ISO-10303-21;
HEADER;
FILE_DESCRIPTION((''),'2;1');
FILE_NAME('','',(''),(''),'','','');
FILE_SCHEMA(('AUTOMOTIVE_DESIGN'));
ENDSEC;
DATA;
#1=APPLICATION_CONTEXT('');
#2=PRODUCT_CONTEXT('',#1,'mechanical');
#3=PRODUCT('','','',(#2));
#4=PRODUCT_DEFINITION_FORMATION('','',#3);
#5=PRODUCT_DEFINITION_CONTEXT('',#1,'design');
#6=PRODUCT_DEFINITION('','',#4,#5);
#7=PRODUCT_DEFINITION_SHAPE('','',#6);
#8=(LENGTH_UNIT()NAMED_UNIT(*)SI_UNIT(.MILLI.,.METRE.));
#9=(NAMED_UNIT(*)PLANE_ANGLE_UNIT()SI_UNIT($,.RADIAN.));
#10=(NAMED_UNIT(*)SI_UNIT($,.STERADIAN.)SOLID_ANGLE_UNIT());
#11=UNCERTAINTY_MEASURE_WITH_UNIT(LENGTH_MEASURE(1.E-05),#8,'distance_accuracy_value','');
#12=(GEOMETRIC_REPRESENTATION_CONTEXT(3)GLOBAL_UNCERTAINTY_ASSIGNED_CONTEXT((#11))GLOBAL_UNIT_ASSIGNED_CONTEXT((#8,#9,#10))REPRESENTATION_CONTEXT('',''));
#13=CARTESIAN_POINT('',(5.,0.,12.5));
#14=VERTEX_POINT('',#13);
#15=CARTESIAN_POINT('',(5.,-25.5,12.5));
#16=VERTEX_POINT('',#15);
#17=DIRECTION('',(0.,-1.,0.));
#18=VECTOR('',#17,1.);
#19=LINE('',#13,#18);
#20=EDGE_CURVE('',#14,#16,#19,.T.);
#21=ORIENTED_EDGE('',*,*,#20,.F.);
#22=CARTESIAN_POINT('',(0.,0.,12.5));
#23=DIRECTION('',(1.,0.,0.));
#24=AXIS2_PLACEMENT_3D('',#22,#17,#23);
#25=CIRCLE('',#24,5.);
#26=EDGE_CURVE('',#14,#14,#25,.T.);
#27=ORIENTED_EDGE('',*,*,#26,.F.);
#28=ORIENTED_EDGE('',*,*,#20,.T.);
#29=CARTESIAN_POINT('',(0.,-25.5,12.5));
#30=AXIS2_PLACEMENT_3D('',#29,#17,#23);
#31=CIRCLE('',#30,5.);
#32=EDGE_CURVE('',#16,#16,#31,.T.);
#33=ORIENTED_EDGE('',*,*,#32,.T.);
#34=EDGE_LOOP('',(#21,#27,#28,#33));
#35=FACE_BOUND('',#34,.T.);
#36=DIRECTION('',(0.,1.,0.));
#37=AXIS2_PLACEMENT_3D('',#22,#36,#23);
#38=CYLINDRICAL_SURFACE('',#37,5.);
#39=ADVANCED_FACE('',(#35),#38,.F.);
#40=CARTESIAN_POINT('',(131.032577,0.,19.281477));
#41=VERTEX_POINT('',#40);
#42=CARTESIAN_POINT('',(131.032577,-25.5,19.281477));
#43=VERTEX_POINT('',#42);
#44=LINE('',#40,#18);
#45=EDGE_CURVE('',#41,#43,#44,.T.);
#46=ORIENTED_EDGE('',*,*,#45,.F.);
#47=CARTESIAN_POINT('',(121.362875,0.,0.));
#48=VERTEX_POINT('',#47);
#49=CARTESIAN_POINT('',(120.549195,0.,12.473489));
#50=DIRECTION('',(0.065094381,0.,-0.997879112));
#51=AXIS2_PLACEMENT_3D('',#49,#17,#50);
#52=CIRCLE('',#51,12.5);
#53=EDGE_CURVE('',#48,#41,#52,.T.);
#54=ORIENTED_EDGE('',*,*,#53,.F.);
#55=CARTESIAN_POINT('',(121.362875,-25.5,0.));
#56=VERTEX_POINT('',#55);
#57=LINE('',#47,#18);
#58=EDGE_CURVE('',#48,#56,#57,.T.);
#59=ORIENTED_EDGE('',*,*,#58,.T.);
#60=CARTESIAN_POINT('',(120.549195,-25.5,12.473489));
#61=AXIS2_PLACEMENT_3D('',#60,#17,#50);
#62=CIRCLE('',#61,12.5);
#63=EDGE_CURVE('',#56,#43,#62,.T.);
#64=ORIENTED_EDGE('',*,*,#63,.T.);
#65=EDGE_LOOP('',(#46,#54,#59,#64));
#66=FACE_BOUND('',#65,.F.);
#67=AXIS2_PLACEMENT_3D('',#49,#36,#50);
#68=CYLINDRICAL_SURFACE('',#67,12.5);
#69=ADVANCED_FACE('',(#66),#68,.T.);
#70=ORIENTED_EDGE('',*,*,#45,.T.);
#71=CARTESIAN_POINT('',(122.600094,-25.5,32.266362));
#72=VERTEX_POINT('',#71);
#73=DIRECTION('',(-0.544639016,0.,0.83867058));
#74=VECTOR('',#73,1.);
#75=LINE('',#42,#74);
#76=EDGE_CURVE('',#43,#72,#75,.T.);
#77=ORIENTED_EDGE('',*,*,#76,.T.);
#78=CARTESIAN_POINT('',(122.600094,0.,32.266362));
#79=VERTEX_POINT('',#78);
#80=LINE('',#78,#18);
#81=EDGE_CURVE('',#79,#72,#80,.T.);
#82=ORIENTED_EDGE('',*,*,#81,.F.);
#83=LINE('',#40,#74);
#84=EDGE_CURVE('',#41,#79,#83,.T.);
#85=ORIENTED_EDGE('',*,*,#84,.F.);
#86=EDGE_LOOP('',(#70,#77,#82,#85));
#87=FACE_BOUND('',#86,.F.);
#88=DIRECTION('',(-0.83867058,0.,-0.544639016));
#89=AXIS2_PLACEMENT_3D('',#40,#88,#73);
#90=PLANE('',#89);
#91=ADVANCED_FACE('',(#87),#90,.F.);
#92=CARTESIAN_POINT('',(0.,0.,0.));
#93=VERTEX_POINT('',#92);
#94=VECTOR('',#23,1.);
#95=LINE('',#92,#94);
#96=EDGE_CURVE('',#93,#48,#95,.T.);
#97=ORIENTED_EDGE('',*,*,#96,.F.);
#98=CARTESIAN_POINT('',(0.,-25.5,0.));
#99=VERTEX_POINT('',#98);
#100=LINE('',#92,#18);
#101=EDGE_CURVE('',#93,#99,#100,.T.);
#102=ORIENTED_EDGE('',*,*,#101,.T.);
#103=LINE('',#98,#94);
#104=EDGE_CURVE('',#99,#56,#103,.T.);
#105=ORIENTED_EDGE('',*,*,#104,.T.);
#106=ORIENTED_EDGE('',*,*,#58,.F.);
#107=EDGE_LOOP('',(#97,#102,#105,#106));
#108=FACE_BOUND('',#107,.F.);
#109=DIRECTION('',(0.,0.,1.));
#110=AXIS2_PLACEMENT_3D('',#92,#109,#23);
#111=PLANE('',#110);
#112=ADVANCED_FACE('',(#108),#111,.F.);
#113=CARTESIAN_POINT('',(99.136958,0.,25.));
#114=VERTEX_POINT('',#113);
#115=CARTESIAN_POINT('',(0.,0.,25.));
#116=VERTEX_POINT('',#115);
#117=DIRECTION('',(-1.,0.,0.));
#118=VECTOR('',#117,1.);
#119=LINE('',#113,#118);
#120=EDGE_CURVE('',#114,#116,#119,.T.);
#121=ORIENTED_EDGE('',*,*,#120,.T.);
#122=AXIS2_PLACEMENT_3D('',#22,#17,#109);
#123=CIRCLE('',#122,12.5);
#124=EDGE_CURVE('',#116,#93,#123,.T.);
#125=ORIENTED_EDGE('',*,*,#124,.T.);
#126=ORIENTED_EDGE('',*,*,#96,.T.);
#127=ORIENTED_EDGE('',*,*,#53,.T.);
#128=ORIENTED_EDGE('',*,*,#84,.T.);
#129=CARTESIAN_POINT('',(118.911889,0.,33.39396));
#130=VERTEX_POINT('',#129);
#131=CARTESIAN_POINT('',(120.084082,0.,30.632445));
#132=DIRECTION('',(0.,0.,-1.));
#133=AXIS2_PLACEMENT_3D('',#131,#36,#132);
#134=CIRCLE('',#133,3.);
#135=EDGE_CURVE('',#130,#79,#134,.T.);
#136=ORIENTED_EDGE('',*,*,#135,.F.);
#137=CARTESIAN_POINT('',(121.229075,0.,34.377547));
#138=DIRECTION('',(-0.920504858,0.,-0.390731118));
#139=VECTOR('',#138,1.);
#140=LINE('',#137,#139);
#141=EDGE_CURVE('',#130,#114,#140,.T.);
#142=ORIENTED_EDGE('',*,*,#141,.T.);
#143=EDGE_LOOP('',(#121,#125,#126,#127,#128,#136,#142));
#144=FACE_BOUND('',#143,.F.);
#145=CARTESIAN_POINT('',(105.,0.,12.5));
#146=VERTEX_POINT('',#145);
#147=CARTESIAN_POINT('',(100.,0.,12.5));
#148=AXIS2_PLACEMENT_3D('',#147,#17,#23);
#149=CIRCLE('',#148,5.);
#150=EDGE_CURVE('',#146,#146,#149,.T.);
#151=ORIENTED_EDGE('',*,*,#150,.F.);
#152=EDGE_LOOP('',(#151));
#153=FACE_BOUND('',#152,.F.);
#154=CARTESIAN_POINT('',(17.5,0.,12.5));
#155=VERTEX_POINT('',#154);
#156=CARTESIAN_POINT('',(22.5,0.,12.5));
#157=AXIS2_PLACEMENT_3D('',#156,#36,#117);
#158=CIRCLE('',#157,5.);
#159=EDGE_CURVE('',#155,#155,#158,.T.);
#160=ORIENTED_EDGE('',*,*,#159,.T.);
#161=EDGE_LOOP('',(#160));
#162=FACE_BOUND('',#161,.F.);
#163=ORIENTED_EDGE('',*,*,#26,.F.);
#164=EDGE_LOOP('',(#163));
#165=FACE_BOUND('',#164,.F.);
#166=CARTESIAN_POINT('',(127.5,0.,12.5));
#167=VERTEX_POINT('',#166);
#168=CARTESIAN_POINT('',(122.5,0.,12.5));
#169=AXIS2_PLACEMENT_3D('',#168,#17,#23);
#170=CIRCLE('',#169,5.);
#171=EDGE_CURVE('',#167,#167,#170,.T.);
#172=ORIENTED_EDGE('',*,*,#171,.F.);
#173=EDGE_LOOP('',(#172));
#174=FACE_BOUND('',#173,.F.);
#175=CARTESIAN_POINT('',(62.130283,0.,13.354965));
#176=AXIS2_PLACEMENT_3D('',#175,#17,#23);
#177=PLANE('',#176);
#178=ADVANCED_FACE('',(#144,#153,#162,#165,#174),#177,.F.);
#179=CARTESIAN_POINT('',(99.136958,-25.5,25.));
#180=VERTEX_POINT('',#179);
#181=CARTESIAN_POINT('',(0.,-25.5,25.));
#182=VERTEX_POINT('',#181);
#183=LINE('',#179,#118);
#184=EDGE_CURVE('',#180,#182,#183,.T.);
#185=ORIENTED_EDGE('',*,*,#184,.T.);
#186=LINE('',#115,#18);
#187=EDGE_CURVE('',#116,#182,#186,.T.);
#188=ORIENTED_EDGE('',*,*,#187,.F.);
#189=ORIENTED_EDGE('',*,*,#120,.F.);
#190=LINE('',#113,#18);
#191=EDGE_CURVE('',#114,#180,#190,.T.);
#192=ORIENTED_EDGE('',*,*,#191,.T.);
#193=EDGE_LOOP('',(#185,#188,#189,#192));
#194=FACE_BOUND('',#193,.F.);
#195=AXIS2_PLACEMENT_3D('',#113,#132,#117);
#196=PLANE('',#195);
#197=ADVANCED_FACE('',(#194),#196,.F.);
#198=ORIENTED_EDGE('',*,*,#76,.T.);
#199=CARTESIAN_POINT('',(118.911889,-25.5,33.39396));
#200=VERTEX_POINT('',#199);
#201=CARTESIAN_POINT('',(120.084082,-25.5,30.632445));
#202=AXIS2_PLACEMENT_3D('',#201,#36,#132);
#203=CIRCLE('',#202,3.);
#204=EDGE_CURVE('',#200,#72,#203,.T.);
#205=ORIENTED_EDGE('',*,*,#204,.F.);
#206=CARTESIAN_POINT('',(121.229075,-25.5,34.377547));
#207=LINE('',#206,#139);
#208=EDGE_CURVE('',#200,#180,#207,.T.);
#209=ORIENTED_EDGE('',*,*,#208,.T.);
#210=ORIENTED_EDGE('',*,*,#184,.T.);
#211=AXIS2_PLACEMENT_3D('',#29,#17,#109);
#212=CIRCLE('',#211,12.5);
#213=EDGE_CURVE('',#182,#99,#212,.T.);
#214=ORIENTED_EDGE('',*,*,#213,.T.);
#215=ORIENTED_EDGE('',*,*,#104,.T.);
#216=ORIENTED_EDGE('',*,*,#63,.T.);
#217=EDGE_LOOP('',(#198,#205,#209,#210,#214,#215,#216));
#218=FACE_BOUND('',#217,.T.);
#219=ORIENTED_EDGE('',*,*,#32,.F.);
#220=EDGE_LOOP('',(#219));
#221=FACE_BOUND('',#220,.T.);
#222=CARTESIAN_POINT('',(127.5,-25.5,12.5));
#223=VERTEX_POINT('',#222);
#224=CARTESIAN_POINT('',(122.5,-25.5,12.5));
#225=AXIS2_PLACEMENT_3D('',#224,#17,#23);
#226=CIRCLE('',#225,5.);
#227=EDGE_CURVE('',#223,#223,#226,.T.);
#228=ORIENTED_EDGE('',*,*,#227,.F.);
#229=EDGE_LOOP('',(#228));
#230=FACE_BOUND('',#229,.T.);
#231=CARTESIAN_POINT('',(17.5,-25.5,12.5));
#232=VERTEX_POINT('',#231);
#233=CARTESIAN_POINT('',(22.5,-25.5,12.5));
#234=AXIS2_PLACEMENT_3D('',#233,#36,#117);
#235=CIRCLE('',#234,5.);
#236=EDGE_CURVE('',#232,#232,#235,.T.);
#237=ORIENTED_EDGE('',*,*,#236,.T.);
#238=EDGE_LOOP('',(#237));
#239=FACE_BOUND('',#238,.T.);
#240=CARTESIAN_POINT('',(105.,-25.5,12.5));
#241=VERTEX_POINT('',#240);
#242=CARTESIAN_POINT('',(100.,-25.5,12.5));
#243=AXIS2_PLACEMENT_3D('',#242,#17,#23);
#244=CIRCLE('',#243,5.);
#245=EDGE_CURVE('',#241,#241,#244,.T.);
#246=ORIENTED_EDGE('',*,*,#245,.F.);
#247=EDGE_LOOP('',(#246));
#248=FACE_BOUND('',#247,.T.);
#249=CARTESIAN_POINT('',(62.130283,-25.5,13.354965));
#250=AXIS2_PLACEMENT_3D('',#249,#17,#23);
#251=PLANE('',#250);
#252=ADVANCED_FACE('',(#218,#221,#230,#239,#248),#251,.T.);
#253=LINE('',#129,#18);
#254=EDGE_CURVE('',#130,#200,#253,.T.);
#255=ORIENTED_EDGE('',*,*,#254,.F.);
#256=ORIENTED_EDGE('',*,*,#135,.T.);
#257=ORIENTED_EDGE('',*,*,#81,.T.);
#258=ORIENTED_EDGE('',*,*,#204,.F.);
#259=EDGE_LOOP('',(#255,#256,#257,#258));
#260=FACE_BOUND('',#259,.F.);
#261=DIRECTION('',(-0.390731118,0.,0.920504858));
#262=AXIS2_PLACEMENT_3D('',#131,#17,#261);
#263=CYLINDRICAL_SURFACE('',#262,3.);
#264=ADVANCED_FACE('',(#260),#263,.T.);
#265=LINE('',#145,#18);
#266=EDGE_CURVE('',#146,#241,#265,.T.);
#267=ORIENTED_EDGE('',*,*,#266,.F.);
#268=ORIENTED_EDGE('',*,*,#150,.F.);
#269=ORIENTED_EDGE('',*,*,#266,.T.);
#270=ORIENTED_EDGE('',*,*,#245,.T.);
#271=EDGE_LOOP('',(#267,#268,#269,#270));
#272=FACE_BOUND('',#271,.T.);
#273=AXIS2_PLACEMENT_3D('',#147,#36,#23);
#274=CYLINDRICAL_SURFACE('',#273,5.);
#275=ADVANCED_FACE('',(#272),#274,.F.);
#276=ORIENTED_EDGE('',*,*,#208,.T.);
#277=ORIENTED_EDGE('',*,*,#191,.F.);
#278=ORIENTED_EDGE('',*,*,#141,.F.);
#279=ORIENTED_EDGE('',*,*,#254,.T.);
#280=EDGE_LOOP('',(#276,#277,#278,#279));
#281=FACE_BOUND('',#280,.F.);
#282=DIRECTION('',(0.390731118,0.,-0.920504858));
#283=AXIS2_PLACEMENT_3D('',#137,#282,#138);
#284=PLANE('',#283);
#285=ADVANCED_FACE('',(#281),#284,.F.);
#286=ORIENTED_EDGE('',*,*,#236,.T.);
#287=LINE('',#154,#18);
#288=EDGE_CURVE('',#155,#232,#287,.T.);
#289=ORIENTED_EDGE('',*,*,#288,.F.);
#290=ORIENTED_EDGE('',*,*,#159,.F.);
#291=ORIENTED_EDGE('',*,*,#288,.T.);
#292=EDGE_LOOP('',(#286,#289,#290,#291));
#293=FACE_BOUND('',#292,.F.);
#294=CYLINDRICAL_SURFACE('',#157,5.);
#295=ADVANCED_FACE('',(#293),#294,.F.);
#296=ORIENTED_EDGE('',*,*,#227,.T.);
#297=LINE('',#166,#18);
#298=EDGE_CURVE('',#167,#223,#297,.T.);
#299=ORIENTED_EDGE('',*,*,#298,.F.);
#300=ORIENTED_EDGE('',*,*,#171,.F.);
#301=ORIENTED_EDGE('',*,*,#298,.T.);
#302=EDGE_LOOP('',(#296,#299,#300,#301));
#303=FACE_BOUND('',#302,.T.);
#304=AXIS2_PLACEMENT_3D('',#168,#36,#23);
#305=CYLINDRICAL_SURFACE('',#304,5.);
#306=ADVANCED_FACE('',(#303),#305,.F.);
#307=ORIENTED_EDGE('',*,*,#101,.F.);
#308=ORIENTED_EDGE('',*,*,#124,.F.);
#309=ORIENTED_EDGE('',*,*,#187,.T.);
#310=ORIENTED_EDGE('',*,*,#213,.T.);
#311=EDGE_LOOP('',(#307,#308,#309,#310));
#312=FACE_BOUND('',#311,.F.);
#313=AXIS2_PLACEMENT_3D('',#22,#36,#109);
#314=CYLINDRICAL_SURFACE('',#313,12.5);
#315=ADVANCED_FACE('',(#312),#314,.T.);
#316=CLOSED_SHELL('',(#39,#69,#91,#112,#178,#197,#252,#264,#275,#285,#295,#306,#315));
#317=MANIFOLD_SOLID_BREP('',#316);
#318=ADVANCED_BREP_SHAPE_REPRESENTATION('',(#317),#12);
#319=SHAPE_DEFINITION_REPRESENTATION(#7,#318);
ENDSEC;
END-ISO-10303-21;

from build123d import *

# Parameters (mm, degrees)
F0_R     = 5
F1_DEPTH = 25.5
F3_R     = 3


with BuildPart() as f1:
    # F0 (on Front) → F1 (new body)
    with BuildSketch(Plane.XZ):
        with BuildLine():
            ThreePointArc((0, 25), (-12.5, 12.5), (0, 0))
            Line((0, 0), (121.362875, 0))
            ThreePointArc((121.362875, 0), (131.722813, 6.869895), (131.032577, 19.281477))
            Line((131.032577, 19.281477), (121.229075, 34.377547))
            Line((121.229075, 34.377547), (99.136958, 25))
            Line((99.136958, 25), (0, 25))
        make_face()
        with Locations((0, 12.5)):
            Circle(F0_R, mode=Mode.SUBTRACT)
        with BuildLine():
            ThreePointArc((27.5, 12.5), (22.5, 7.5), (17.5, 12.5))
            ThreePointArc((17.5, 12.5), (22.5, 17.5), (27.5, 12.5))
        make_face(mode=Mode.SUBTRACT)
        with Locations((100, 12.5)):
            Circle(F0_R, mode=Mode.SUBTRACT)
        with Locations((122.5, 12.5)):
            Circle(F0_R, mode=Mode.SUBTRACT)
    extrude(amount=F1_DEPTH)

    # F3
    f3_edges = [f1.edges().sort_by_distance(p)[0] for p in [
        (121.229075, -12.75, 34.377547),
    ]]
    fillet(f3_edges, radius=F3_R)


solid = f1.part
